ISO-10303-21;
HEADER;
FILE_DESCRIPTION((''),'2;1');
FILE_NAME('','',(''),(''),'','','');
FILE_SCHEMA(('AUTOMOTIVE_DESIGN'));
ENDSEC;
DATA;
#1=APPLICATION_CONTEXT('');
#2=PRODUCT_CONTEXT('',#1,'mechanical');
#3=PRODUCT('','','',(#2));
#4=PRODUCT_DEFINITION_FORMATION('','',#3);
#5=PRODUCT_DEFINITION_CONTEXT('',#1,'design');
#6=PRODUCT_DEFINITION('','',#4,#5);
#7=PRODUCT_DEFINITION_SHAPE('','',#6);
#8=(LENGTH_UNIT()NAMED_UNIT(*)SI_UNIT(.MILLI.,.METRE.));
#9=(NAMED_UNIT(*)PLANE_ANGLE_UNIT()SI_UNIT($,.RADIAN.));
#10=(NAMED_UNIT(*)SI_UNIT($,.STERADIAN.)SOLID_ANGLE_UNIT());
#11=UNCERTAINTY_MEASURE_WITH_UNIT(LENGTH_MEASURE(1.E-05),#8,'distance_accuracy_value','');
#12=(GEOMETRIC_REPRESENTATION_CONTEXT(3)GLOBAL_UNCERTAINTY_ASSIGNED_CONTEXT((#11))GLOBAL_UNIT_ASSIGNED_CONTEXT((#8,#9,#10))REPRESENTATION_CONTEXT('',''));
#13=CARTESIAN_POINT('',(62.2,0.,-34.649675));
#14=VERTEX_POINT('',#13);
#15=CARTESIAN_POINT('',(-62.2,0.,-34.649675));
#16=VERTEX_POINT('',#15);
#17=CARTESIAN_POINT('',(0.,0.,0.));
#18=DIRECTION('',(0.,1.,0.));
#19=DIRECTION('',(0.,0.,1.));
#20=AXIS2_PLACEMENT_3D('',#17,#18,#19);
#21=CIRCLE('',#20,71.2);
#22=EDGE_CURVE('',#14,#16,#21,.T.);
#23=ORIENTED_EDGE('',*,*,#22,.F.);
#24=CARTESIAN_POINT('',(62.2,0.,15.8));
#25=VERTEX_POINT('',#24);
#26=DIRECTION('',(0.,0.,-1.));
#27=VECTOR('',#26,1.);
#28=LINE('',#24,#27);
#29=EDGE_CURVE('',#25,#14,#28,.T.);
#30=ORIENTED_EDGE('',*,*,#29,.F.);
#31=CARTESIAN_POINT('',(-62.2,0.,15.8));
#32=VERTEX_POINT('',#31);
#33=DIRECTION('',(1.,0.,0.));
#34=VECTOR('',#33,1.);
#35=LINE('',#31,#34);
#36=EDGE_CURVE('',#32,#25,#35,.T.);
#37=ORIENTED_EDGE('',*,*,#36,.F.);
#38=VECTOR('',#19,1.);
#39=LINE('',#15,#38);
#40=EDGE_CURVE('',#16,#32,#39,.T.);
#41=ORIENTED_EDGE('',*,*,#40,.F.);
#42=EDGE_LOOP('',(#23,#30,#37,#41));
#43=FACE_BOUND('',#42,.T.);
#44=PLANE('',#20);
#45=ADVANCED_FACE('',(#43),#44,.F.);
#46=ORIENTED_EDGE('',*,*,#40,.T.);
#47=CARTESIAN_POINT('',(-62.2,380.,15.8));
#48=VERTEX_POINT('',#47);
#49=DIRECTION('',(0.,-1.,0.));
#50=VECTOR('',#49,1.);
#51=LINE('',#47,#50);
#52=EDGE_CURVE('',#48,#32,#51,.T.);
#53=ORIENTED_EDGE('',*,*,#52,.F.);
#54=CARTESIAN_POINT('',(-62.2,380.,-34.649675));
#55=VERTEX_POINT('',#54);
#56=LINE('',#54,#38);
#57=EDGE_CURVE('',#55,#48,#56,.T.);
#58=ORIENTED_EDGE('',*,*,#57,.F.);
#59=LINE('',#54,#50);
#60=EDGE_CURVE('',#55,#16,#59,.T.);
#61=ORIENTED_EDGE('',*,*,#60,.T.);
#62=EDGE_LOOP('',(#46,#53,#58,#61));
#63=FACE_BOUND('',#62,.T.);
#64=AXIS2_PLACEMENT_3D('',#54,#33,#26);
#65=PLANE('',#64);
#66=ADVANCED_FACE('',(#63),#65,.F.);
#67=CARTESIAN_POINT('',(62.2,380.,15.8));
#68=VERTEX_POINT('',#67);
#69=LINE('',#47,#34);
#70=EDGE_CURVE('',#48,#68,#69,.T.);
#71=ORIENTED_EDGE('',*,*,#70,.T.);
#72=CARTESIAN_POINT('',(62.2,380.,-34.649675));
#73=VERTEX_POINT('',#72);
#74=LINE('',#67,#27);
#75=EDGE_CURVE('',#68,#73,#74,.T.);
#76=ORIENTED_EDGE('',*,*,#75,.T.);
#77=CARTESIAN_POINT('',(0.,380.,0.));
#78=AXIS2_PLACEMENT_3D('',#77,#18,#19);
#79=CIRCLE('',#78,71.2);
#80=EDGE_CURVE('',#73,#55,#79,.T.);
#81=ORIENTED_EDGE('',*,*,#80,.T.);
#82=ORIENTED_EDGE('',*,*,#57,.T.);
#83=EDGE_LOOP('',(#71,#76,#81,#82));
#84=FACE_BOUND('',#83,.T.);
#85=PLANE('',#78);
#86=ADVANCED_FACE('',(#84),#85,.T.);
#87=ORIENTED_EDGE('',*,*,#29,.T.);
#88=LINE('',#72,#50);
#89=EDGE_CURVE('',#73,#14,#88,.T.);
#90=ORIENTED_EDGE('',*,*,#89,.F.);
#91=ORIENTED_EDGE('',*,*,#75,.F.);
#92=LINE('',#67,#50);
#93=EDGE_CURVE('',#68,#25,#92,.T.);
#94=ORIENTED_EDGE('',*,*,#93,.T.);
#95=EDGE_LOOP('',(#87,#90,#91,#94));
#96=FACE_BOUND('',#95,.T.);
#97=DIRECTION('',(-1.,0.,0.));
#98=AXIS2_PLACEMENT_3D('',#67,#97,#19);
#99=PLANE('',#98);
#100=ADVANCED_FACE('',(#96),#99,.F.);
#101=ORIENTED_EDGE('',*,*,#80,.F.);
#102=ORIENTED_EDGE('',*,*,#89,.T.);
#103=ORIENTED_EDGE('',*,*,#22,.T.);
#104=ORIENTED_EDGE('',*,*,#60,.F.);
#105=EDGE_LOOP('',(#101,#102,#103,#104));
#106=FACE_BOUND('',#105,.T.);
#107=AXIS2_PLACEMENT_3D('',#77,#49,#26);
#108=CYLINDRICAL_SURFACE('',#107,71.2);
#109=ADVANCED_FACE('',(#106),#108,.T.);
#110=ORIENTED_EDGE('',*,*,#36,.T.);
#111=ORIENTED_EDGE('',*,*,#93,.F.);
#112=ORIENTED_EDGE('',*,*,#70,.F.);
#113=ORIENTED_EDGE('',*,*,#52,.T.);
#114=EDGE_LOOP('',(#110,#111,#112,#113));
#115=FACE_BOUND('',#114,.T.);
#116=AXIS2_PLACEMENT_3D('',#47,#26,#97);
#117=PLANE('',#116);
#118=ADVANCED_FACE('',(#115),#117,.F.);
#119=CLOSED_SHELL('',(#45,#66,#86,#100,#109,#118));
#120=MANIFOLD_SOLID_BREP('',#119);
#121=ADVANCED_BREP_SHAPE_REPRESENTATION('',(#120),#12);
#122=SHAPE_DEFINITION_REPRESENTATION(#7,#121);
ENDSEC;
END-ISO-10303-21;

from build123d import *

# Parameters (mm, degrees)
BOSS_EXTRUDE1_DEPTH = 380


with BuildPart() as part:
    # Sketch1 → Boss-Extrude1 (new body)
    with BuildSketch(Plane(origin=(0, 0, 0), x_dir=(1, 0, 0), z_dir=(0, 1, 0))):
        with BuildLine():
            Line((-62.2, -15.8), (62.2, -15.8))
            Line((62.2, -15.8), (62.2, 34.649675323))
            ThreePointArc((62.2, 34.649675323), (0, 71.2), (-62.2, 34.649675323))
            Line((-62.2, 34.649675323), (-62.2, -15.8))
        make_face()
    extrude(amount=BOSS_EXTRUDE1_DEPTH)


solid = part.part
